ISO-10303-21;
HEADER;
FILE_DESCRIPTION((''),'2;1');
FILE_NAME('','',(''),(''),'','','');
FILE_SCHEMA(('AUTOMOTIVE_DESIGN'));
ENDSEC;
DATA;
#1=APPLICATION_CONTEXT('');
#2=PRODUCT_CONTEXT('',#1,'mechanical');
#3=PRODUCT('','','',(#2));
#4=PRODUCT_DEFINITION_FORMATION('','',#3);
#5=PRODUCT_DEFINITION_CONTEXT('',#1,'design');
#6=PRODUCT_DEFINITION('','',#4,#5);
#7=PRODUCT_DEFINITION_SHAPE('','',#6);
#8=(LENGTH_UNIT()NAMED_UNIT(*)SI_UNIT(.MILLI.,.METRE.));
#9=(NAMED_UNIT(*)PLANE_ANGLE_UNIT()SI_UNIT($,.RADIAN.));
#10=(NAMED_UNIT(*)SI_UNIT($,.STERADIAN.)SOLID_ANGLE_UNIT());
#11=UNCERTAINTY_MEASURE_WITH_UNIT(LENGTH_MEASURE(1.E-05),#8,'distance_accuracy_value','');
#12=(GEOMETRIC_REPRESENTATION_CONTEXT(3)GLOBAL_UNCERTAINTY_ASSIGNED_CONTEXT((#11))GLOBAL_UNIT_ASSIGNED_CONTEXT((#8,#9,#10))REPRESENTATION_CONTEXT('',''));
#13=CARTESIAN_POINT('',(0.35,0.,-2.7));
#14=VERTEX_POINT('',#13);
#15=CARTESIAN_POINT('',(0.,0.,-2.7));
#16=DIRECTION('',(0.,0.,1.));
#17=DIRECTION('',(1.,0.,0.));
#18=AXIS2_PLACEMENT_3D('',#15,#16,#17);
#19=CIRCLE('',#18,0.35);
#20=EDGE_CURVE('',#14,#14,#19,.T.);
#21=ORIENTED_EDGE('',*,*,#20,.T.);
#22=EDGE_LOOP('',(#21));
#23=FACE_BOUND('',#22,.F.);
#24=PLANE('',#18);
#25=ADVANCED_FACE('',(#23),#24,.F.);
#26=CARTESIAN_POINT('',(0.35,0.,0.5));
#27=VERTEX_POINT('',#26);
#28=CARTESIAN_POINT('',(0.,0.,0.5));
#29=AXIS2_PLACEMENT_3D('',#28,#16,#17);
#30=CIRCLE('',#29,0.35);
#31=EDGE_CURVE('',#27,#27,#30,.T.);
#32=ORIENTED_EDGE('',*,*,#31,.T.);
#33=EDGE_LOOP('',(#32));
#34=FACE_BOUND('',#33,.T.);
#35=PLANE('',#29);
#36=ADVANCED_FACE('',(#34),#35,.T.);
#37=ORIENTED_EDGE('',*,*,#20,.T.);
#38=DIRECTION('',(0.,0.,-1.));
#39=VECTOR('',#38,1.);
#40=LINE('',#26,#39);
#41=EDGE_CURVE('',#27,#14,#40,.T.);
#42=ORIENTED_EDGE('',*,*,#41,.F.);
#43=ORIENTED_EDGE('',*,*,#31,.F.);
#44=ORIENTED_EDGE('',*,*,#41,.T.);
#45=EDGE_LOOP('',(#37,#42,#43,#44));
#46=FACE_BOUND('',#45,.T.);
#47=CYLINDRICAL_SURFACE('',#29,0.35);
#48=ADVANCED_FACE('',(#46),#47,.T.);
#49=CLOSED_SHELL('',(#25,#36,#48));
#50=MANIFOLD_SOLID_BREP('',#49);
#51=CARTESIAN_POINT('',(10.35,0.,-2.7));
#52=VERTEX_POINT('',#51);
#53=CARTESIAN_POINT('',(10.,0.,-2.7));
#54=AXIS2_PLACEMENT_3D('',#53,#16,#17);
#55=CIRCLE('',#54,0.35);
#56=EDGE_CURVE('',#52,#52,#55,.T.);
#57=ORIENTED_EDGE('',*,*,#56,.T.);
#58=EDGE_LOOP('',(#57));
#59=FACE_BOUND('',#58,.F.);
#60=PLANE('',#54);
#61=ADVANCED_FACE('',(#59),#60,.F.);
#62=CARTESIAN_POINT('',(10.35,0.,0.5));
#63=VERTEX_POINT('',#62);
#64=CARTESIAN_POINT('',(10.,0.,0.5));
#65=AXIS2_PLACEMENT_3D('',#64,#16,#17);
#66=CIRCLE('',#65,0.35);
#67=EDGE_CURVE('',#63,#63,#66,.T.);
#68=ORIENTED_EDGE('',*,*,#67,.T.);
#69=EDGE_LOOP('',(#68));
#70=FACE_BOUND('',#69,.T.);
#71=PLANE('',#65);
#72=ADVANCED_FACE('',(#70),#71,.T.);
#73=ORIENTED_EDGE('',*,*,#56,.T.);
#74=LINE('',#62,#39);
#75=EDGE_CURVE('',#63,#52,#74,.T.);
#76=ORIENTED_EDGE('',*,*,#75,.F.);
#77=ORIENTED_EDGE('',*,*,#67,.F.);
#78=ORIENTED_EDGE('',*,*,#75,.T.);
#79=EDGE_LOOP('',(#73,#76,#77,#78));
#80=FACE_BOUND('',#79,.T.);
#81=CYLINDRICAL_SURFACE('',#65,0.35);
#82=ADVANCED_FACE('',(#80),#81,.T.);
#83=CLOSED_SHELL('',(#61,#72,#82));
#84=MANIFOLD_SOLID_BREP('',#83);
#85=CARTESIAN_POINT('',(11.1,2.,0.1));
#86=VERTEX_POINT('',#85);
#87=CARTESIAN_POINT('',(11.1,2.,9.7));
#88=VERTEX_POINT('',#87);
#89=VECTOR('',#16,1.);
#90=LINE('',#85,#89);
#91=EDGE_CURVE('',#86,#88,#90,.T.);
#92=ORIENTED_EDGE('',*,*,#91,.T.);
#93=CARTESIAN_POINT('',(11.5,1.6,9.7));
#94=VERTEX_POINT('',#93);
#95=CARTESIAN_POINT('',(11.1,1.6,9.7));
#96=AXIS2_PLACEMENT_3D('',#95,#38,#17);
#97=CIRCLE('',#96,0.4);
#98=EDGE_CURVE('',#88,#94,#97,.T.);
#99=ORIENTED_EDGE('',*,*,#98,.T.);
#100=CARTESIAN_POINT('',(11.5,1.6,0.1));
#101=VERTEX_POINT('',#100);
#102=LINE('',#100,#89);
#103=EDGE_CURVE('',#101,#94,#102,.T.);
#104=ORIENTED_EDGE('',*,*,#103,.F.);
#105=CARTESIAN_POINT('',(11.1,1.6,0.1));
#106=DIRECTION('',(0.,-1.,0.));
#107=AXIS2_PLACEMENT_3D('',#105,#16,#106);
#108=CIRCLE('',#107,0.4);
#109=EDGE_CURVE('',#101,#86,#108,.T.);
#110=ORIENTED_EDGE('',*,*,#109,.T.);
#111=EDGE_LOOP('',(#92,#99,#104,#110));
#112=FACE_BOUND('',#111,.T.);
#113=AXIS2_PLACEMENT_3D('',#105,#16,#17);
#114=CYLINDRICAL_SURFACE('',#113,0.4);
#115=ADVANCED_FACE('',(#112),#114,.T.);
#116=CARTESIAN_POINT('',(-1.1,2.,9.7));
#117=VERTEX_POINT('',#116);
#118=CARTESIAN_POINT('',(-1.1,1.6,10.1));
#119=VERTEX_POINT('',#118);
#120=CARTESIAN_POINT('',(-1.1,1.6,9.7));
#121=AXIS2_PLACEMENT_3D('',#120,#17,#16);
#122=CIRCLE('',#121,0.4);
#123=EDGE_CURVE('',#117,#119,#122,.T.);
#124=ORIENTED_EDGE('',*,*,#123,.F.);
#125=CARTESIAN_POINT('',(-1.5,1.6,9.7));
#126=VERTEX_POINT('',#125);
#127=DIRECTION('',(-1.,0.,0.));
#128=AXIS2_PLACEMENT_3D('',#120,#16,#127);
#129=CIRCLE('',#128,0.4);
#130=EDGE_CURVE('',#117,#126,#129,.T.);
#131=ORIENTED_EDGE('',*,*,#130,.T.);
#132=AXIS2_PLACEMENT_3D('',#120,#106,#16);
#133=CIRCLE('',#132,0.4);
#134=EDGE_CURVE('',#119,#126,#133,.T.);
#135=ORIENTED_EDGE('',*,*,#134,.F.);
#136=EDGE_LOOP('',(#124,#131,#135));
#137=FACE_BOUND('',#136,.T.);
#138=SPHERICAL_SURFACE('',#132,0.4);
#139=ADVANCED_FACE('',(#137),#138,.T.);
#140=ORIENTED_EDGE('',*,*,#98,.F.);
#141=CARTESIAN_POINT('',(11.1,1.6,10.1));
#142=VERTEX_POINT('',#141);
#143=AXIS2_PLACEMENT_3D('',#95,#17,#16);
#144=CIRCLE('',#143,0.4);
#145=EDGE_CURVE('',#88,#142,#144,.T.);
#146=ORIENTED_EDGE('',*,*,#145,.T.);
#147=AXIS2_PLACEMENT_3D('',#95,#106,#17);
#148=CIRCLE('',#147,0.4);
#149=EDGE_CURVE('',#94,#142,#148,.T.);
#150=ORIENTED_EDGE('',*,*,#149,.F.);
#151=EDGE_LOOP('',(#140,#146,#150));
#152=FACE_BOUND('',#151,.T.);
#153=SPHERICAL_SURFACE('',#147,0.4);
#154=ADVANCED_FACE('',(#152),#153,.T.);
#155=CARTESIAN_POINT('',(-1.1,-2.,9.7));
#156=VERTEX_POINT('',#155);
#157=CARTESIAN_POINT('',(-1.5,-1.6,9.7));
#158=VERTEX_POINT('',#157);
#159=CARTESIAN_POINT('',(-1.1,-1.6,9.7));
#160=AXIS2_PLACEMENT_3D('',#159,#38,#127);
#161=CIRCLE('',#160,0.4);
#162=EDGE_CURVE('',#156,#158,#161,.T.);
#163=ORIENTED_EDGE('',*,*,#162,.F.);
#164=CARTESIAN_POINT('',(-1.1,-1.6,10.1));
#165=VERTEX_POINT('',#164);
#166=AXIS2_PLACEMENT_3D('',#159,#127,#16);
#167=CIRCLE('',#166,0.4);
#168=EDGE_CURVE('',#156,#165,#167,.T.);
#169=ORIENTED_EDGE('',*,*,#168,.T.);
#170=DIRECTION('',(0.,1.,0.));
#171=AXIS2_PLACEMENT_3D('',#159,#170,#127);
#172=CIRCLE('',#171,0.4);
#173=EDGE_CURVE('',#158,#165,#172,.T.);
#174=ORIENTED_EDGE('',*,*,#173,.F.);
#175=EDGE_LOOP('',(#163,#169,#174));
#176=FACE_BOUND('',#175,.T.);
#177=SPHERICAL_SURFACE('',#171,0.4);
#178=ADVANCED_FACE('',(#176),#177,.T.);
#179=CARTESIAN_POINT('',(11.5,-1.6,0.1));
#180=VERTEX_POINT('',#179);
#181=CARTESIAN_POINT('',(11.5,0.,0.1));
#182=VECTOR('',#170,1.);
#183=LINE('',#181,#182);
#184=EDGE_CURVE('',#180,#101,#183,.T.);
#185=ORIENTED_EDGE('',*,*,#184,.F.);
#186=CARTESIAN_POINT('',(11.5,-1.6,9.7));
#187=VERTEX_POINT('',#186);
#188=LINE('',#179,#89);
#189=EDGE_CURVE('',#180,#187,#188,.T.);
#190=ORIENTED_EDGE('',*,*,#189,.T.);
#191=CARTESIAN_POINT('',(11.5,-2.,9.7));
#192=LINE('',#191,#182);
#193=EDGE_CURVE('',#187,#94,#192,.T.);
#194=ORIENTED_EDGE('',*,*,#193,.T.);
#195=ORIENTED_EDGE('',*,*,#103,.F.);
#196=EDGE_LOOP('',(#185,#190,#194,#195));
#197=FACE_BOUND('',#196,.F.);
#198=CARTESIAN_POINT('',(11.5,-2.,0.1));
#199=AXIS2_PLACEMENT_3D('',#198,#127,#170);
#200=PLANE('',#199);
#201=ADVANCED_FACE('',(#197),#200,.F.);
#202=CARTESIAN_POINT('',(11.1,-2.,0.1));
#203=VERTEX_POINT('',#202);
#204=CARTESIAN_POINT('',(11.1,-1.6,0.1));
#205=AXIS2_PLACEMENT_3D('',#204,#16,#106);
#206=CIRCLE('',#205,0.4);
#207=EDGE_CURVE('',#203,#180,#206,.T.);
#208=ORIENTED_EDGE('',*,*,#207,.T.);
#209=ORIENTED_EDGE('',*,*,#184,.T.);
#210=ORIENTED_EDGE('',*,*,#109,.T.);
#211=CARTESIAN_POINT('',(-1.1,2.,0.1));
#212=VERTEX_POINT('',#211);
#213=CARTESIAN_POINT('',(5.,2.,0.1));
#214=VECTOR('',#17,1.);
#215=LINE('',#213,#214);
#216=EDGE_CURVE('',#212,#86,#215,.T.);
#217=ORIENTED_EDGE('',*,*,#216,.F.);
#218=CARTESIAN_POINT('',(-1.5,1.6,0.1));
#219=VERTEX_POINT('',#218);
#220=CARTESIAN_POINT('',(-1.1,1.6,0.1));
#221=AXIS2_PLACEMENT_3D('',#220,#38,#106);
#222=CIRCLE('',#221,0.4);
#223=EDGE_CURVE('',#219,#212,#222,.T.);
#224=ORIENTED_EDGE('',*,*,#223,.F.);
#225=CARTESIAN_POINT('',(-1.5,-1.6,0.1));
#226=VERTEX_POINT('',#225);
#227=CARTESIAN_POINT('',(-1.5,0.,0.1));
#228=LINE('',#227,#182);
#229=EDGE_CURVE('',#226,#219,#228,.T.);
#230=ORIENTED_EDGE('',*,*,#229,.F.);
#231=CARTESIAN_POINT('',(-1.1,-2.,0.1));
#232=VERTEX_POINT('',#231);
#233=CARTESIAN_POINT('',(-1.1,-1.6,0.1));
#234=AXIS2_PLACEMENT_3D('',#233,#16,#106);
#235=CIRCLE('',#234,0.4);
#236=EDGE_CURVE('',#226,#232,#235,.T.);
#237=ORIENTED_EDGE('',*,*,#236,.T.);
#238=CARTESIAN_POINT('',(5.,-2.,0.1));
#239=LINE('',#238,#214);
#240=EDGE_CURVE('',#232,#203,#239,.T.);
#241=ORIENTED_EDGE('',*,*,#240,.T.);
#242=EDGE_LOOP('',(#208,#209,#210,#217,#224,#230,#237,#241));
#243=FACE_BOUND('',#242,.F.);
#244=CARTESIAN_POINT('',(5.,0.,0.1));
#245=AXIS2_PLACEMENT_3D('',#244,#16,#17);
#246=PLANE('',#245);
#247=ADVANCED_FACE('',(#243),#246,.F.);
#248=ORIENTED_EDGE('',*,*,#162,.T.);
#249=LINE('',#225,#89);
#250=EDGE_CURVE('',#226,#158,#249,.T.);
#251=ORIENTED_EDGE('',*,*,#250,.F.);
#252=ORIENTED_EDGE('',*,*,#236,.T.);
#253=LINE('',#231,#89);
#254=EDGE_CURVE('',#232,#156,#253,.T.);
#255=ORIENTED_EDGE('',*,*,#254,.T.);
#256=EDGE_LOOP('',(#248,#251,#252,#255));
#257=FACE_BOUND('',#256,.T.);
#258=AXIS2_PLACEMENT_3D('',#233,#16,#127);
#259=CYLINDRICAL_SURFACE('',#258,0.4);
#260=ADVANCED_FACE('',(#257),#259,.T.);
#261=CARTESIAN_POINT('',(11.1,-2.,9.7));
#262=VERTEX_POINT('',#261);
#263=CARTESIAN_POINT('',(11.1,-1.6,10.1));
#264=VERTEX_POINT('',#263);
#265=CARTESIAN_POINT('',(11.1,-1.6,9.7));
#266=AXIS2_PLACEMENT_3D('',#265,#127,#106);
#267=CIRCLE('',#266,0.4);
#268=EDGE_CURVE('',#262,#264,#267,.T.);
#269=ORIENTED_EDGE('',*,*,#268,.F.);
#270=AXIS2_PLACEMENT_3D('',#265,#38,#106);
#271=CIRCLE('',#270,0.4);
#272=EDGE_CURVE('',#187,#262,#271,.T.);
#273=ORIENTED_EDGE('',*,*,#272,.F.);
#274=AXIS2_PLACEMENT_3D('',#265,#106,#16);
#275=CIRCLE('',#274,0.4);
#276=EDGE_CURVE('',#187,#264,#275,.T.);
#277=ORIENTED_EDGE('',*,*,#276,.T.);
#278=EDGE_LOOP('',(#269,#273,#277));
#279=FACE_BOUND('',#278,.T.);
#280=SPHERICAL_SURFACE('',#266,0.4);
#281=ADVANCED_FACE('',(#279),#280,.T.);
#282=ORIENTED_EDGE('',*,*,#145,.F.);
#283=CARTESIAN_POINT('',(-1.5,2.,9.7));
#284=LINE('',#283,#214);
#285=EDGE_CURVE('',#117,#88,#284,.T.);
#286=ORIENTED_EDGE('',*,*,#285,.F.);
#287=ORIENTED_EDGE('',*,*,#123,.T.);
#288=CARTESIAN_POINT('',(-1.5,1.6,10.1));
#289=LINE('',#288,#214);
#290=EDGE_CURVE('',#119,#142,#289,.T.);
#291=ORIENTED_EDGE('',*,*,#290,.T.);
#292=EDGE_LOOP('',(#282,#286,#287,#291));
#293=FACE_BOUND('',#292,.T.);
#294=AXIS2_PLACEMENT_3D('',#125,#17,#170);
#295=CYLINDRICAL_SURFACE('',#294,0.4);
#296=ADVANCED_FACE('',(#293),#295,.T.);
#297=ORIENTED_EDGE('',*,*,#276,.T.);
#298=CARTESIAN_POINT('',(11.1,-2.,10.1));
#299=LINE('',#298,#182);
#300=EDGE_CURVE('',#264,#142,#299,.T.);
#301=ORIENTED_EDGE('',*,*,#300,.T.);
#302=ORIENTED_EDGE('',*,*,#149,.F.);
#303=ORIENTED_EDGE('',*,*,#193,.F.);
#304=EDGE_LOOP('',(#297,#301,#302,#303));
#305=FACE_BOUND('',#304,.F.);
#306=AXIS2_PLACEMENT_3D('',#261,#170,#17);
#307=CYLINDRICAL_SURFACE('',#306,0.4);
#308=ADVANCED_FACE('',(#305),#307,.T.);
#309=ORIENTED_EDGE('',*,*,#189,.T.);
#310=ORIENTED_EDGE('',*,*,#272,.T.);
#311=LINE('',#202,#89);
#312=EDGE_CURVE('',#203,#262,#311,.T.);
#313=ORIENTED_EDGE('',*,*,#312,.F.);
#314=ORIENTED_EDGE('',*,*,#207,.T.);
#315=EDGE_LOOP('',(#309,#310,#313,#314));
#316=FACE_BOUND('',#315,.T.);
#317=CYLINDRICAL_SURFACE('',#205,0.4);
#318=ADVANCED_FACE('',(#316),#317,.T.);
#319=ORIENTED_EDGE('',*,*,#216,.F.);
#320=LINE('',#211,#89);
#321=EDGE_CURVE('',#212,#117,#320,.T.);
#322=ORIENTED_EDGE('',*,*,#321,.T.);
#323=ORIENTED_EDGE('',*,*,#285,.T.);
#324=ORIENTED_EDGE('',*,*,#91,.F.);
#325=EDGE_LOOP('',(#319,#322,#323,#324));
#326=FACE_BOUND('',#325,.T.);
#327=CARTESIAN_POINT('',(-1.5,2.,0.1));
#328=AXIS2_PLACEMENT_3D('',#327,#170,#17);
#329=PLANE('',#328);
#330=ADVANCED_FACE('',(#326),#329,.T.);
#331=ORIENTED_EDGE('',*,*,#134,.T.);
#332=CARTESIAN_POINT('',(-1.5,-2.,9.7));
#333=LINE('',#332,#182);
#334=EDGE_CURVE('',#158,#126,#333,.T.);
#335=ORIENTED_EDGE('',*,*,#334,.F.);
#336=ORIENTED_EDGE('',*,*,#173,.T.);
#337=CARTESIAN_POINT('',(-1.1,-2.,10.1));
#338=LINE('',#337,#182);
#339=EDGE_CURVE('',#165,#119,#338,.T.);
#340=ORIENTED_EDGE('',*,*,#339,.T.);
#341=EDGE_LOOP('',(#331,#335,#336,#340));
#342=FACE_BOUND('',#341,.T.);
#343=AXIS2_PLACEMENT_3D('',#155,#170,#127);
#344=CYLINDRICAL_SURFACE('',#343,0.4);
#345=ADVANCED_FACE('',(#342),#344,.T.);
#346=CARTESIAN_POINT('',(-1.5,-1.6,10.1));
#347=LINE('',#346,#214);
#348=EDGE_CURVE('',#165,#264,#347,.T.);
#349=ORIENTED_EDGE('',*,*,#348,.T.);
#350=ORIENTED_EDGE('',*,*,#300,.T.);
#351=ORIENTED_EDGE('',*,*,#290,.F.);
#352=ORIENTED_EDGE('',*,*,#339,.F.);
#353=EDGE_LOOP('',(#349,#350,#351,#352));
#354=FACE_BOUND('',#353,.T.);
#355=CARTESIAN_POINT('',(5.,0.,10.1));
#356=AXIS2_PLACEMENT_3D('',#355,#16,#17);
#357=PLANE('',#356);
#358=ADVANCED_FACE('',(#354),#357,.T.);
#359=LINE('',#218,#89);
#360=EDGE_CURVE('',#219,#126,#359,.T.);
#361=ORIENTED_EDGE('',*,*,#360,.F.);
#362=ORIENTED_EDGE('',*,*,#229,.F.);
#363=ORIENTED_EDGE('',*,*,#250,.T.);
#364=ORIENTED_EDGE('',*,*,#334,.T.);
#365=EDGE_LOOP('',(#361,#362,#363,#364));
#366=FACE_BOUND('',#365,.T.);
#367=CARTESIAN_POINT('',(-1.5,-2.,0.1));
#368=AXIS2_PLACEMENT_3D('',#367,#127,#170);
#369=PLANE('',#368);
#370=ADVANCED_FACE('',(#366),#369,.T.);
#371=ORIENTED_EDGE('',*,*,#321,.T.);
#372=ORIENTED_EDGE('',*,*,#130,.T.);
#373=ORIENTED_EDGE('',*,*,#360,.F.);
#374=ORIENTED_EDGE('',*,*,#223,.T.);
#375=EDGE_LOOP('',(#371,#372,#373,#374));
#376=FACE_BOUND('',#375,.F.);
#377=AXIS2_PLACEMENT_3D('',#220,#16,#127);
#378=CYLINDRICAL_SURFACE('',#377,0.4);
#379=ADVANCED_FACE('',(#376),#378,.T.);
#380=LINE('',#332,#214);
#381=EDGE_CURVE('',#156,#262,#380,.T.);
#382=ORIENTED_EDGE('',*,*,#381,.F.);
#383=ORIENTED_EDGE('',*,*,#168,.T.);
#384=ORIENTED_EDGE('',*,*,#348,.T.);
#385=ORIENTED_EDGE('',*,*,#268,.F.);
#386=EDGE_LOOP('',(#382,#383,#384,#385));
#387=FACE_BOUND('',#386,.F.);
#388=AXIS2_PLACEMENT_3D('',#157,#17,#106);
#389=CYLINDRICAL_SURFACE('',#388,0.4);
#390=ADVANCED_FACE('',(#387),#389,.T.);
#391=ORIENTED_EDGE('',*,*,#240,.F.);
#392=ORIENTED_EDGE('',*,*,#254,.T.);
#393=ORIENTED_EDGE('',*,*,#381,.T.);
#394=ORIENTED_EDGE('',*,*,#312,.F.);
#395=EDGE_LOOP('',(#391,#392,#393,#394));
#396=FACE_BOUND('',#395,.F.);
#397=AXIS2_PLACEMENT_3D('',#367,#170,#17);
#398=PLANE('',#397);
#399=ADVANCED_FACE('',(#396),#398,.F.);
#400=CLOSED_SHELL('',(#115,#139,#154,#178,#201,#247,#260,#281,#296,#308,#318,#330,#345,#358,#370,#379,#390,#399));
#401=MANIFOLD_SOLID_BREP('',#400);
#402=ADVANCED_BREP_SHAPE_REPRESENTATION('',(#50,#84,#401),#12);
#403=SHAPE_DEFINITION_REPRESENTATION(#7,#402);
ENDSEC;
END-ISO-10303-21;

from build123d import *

# Parameters (mm, degrees)
SKETCH_W     = 13
SKETCH_H     = 4
PAD_DEPTH    = 10
FILLET_R     = 0.4
SKETCH001_R  = 0.35
PAD001_DEPTH = 3.2


with BuildPart() as fillet_body:
    # Sketch → Pad (new body)
    with BuildSketch(Plane.XY.offset(0.1)):
        with Locations((5, 0)):
            Rectangle(SKETCH_W, SKETCH_H)
    extrude(amount=PAD_DEPTH)

    # Fillet
    fillet_edges = [fillet_body.edges().sort_by_distance(p)[0] for p in [
        (-1.5, 0, 10.1),
        (-1.5, -2, 5.1),
        (5, -2, 10.1),
        (11.5, -2, 5.1),
        (11.5, 0, 10.1),
        (11.5, 2, 5.1),
        (5, 2, 10.1),
        (-1.5, 2, 5.1),
    ]]
    fillet(fillet_edges, radius=FILLET_R)


with BuildPart() as pad001:
    # Sketch001 → Pad001 (new body)
    with BuildSketch(Plane.XY.offset(0.5)):
        Circle(SKETCH001_R)
        with Locations((10, 0)):
            Circle(SKETCH001_R)
    extrude(amount=-PAD001_DEPTH)


solid = Compound([fillet_body.part, pad001.part])
